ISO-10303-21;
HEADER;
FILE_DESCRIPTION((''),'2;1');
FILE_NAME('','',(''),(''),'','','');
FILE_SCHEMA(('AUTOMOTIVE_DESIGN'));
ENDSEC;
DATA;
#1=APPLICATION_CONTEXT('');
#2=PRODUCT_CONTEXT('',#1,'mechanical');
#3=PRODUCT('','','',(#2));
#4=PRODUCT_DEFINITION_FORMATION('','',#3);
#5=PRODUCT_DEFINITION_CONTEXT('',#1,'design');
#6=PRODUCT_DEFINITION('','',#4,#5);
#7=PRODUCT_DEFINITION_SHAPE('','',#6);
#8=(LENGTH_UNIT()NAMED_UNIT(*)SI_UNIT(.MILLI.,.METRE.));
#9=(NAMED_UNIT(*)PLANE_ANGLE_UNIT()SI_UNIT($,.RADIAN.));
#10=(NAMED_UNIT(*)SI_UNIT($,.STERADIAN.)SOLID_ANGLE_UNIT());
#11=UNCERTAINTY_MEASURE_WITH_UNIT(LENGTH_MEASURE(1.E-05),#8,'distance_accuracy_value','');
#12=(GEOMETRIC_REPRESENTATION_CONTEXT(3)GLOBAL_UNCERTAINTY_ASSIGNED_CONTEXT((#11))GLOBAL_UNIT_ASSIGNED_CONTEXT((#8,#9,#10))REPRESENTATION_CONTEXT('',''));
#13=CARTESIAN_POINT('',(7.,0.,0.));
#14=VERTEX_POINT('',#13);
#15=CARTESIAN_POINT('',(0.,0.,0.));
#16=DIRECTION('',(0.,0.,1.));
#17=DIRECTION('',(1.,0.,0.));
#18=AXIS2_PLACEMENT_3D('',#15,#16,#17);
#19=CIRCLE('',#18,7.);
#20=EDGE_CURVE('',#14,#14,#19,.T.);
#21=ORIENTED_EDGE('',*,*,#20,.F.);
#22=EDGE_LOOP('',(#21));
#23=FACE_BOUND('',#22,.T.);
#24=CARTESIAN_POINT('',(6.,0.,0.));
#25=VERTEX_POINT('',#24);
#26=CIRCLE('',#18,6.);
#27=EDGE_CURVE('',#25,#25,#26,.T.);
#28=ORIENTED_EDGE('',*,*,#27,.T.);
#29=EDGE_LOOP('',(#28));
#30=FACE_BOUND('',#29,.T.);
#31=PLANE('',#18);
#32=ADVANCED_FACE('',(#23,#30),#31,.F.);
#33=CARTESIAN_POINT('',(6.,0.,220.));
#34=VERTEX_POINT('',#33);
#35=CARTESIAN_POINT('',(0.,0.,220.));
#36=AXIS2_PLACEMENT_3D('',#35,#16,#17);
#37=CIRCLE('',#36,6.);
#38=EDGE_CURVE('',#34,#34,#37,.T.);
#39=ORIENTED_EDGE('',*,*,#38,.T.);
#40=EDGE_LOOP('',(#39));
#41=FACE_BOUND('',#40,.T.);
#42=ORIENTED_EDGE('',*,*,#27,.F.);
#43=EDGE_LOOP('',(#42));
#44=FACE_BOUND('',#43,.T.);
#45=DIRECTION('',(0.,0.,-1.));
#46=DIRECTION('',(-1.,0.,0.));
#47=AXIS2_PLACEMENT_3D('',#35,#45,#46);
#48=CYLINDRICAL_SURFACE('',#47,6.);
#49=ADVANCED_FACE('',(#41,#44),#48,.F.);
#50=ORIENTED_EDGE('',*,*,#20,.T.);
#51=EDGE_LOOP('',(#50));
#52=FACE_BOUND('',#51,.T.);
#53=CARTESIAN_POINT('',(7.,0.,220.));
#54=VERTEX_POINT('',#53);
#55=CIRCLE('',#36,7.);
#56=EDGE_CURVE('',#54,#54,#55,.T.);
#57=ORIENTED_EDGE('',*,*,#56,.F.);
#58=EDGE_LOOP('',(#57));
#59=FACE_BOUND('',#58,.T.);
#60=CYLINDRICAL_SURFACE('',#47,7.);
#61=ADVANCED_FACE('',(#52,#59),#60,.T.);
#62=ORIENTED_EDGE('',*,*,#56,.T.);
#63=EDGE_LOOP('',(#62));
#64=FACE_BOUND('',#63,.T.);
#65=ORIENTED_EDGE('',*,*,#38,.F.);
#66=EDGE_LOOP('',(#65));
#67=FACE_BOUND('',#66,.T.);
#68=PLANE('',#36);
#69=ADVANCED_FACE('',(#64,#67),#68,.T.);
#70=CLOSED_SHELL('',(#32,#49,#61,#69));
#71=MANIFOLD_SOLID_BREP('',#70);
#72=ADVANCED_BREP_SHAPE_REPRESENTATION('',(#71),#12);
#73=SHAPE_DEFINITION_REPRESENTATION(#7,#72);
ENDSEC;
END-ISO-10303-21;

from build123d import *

# Parameters (mm, degrees)
ESBO_O1_R                = 7
ESBO_O1_R_2              = 6
RESSALTO_EXTRUS_O1_DEPTH = 220


with BuildPart() as part:
    # Esboço1 → Ressalto-extrusão1 (new body)
    with BuildSketch(Plane.XY):
        Circle(ESBO_O1_R)
        Circle(ESBO_O1_R_2, mode=Mode.SUBTRACT)
    extrude(amount=RESSALTO_EXTRUS_O1_DEPTH)


solid = part.part
